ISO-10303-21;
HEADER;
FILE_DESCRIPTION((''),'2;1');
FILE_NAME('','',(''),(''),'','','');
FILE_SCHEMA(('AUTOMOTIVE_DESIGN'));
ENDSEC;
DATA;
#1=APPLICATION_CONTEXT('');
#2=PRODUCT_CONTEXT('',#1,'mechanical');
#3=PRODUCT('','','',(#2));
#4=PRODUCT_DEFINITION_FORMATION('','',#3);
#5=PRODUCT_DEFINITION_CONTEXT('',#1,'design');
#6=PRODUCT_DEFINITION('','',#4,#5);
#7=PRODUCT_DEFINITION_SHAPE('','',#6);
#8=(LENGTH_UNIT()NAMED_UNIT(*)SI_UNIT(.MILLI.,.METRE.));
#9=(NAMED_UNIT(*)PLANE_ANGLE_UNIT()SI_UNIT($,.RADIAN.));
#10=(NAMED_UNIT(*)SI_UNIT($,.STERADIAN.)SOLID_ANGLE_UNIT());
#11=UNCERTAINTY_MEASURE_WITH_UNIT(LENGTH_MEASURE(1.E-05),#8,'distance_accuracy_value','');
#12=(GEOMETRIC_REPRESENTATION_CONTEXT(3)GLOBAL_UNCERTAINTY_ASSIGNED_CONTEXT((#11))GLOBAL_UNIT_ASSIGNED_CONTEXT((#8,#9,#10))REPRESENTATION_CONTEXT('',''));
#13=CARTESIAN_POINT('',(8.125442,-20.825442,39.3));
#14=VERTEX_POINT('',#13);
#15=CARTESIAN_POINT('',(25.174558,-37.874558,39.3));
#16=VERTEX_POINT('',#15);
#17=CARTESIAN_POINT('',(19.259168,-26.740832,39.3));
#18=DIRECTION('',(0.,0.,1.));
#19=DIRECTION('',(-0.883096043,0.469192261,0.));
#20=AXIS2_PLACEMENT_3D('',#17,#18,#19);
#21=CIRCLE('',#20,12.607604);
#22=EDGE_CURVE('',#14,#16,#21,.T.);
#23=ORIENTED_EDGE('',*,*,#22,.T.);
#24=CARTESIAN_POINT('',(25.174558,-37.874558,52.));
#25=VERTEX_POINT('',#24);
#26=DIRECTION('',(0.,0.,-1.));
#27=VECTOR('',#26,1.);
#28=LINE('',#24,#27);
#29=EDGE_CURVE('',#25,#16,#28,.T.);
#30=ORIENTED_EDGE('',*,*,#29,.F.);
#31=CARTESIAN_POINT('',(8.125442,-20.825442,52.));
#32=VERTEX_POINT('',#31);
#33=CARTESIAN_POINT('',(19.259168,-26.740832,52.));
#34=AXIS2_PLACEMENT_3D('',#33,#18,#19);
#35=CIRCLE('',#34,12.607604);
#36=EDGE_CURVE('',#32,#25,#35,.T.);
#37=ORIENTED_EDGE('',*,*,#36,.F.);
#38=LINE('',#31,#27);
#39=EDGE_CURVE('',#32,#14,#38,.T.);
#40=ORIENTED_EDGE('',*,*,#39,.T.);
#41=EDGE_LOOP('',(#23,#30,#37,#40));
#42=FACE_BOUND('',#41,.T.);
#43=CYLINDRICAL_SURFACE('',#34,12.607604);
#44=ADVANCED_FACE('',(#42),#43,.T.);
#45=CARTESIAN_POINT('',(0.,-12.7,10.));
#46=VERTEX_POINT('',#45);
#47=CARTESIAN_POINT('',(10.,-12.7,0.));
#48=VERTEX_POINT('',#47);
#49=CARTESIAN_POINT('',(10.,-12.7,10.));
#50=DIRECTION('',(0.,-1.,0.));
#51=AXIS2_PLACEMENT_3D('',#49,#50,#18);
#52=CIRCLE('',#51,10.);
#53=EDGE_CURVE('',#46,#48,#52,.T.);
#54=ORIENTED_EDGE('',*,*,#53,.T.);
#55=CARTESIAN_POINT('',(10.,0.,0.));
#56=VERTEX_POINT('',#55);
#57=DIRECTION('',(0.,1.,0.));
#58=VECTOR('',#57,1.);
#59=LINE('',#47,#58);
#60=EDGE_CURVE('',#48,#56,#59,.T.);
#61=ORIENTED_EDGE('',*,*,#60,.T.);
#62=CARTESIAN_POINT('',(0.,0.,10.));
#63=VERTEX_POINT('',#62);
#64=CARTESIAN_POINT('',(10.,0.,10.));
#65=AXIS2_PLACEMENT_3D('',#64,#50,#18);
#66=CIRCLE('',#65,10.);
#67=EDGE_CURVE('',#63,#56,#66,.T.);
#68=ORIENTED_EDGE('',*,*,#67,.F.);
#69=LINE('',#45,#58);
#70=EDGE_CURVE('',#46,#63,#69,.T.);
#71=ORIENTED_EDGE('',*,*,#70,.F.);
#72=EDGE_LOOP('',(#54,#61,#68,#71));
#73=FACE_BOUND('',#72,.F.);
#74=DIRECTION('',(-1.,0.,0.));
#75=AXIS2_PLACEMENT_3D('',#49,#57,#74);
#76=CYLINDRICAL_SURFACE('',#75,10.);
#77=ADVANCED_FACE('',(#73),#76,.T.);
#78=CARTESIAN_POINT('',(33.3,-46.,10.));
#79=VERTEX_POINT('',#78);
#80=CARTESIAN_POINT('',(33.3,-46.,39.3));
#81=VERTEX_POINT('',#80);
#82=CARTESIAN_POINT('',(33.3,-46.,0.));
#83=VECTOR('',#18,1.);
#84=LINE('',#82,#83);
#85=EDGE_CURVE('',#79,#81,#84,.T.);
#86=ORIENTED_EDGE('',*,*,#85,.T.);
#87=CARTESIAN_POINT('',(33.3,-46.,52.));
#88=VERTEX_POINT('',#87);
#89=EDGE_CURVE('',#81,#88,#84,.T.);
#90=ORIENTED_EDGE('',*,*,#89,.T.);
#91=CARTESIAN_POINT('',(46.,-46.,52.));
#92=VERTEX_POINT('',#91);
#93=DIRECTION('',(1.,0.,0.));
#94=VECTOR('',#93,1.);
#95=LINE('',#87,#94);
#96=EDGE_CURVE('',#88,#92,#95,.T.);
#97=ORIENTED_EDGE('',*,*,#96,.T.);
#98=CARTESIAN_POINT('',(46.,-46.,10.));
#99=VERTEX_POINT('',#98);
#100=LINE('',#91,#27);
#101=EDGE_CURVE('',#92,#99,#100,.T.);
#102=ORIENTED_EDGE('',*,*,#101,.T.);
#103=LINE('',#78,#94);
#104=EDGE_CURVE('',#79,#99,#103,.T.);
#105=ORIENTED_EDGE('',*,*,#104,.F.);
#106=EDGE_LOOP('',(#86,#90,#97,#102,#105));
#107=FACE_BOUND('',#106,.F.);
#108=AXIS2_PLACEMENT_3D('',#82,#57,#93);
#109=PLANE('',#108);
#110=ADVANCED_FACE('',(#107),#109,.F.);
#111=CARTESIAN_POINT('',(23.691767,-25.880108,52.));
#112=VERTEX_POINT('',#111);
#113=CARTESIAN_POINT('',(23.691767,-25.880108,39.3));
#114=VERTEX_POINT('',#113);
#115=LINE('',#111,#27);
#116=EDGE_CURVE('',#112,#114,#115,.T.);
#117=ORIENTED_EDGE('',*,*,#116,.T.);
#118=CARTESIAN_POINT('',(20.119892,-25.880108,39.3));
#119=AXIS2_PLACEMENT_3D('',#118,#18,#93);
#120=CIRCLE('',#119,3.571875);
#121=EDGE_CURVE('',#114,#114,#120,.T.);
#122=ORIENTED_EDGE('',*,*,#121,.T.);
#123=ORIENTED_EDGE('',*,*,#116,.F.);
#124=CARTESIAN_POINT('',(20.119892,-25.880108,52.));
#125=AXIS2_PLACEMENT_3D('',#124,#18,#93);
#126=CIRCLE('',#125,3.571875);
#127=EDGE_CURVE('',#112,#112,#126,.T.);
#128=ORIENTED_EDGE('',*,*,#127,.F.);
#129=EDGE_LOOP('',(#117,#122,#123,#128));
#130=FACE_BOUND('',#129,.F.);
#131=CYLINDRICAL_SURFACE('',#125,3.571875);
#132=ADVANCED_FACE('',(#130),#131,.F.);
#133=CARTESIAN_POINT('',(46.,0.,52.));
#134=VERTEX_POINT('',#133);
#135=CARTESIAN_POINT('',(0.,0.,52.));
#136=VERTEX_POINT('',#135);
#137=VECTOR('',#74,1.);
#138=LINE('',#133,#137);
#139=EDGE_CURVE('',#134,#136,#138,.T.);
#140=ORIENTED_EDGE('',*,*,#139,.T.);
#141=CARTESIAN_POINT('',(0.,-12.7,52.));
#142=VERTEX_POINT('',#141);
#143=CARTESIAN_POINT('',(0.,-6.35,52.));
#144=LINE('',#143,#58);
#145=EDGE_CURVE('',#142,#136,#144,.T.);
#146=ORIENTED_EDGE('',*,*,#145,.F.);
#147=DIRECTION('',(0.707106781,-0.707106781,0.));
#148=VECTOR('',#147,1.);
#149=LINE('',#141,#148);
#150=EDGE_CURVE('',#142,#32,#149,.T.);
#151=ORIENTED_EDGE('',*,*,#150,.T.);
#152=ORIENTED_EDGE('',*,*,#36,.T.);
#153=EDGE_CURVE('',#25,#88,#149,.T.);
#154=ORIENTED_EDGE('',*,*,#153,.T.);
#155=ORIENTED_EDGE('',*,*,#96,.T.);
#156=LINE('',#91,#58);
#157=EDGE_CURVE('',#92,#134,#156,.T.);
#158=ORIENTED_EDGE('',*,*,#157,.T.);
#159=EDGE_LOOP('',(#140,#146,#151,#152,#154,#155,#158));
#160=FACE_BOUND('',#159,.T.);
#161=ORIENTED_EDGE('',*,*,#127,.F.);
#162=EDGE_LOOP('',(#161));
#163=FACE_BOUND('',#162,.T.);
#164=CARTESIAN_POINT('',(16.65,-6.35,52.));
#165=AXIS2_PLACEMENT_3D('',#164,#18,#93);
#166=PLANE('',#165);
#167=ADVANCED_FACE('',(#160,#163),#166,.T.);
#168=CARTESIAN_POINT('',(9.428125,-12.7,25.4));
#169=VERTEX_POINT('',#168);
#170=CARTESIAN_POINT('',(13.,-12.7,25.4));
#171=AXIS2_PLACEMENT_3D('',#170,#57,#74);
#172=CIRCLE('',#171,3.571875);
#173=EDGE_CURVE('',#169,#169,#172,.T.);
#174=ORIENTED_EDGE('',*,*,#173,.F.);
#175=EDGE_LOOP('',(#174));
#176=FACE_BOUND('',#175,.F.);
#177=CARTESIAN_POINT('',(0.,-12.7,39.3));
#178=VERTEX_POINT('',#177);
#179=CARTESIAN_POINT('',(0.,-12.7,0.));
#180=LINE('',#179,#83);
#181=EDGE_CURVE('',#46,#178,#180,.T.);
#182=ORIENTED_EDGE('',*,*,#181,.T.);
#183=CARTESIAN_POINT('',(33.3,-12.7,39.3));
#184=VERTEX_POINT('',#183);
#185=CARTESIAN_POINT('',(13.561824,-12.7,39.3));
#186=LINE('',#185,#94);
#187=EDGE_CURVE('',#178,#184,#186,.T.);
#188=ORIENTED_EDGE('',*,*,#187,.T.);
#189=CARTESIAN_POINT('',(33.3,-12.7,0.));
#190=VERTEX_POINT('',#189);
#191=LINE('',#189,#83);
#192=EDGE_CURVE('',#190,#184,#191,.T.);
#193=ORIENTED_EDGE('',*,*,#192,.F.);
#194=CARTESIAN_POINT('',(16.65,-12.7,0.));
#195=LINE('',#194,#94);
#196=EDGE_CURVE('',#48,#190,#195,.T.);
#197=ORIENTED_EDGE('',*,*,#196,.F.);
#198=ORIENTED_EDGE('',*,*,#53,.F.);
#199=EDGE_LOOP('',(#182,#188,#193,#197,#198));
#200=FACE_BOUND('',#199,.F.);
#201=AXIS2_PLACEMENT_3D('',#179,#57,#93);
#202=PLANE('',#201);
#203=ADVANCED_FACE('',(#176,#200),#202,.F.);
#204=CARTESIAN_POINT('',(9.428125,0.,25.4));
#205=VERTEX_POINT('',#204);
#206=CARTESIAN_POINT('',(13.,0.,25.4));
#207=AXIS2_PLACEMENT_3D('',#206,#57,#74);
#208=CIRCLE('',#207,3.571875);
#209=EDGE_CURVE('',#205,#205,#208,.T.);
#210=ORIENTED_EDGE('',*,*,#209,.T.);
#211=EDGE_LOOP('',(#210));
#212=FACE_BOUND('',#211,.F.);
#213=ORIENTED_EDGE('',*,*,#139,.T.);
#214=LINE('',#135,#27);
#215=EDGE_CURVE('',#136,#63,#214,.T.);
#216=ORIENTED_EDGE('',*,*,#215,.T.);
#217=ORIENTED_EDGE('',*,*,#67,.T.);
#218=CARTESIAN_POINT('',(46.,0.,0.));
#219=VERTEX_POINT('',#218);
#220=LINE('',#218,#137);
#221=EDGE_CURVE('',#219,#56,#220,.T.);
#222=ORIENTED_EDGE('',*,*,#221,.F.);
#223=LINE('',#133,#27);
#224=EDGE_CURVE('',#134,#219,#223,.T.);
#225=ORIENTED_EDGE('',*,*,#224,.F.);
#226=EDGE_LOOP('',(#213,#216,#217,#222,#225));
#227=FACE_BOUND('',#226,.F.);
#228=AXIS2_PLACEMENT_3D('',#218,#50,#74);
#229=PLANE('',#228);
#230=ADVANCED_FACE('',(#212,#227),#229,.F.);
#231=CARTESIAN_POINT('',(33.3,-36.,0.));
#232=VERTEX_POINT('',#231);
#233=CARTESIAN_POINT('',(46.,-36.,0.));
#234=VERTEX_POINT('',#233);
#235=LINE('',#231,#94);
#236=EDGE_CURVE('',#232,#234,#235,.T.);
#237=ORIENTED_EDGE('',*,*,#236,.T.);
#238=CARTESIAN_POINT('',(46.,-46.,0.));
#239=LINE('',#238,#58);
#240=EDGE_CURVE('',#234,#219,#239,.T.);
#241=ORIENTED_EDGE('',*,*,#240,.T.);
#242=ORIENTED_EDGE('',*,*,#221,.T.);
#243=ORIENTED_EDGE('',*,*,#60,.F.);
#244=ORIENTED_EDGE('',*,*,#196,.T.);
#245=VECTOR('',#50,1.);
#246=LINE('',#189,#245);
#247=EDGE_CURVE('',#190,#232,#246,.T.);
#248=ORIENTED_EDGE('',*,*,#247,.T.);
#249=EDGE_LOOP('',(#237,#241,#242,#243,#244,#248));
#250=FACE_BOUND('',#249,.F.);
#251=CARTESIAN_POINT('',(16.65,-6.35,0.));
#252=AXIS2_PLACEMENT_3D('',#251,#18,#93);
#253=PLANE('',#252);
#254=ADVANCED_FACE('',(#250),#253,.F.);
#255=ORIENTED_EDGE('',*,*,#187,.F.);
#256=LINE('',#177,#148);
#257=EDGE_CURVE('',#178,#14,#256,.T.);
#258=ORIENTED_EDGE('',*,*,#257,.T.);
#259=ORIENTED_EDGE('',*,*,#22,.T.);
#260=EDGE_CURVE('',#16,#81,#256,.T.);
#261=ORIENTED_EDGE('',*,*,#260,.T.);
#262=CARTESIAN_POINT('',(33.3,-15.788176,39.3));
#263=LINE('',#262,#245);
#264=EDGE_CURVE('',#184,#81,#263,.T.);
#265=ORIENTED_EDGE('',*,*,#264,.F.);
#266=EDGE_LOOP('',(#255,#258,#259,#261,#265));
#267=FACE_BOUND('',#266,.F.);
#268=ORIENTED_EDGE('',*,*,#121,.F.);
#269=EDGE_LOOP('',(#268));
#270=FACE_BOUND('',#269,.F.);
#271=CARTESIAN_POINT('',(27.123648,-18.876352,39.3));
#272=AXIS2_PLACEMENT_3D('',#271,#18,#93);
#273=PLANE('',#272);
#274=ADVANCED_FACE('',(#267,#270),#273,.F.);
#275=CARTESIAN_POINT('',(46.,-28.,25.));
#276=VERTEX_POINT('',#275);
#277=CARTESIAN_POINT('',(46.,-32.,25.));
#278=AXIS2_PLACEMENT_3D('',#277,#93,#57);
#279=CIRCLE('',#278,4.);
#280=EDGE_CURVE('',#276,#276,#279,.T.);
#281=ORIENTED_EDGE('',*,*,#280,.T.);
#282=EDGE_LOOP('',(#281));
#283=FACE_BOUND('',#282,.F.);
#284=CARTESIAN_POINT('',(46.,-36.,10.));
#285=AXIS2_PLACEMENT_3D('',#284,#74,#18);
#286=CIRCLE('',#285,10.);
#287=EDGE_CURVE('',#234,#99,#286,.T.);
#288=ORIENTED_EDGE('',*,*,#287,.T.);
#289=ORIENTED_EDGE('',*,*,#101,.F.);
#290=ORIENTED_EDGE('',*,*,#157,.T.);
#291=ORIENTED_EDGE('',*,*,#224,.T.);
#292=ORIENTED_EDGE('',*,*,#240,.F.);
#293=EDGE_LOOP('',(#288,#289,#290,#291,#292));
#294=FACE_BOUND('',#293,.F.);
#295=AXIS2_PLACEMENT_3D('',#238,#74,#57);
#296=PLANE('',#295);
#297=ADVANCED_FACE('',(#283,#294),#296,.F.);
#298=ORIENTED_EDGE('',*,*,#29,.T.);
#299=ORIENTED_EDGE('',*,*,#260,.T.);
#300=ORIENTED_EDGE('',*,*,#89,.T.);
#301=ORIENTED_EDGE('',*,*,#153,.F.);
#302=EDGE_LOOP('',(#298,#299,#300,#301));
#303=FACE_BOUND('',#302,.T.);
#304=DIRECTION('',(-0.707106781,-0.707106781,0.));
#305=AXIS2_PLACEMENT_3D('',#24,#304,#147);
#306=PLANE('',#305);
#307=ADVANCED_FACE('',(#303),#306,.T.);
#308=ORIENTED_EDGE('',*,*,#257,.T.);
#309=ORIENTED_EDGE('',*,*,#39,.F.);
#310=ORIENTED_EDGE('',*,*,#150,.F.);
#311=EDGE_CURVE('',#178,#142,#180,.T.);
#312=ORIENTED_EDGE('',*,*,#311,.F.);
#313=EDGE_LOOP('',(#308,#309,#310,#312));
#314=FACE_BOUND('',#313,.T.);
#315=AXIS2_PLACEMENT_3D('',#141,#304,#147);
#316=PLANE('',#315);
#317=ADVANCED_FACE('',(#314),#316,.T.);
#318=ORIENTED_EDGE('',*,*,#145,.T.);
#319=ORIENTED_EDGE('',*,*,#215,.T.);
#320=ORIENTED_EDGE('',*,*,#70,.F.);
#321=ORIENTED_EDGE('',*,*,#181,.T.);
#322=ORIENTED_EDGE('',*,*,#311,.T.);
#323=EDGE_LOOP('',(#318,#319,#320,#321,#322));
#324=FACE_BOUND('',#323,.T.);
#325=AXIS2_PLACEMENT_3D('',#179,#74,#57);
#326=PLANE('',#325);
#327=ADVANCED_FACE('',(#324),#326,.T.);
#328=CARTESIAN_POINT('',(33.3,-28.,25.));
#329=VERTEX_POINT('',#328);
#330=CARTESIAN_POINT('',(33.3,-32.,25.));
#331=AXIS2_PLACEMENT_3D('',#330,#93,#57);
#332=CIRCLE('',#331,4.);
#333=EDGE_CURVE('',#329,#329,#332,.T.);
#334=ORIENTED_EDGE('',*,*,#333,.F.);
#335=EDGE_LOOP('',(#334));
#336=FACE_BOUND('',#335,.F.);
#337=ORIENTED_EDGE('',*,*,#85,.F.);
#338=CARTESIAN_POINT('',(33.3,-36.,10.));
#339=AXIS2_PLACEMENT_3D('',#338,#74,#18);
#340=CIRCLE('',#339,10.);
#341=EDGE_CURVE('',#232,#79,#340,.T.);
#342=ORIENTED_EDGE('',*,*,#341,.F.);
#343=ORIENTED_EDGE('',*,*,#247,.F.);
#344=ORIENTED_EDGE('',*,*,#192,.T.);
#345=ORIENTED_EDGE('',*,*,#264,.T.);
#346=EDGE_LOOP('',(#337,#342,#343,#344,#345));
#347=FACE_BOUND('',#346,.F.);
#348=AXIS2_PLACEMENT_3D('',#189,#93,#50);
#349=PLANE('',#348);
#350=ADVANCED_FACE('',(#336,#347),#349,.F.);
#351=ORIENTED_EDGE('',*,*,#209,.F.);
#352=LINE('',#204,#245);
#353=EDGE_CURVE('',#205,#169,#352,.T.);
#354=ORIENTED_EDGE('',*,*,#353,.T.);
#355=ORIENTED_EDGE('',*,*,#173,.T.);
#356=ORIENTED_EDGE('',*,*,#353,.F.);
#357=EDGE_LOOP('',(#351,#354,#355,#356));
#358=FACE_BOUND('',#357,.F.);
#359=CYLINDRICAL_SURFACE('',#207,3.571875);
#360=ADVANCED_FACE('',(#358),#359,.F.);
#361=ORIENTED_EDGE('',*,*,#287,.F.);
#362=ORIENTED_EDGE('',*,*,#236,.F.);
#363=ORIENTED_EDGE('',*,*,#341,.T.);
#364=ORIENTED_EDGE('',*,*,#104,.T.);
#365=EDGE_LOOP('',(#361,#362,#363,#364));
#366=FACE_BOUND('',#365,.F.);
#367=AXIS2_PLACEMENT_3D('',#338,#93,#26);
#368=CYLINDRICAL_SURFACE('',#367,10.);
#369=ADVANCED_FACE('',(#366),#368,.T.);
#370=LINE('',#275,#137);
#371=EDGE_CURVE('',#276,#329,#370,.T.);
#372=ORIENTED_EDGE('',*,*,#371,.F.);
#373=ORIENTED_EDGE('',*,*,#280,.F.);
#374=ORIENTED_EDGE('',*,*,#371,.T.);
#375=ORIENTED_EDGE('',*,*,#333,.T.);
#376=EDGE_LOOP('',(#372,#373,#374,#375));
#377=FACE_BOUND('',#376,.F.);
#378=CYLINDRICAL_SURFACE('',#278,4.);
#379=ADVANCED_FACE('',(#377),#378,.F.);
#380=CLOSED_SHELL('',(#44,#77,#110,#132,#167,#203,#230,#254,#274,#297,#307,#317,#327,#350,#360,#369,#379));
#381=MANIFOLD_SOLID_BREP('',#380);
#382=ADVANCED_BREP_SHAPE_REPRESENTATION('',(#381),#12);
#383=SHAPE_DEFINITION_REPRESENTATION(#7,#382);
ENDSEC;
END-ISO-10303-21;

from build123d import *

# Parameters (mm, degrees)
F0_W     = 33.3
F0_H     = 12.7
F1_DEPTH = 52
F3_DEPTH = 12.7
F4_R     = 4
F5_DEPTH = 46.001
F6_R     = 3.571875
F7_DEPTH = 25
F8_R     = 3.571875
F9_DEPTH = 25
F10_R    = 10


with BuildPart() as f1:
    # F0 (on Top) → F1 (new body)
    with BuildSketch(Plane.XY):
        with Locations((16.65, -6.35)):
            Rectangle(F0_W, F0_H)
        Polygon((46, 0), (33.3, 0), (33.3, -12.7), (33.3, -46), (46, -46), align=None)
    extrude(amount=F1_DEPTH)

    # F2 (on face) → F3 (join)
    with BuildSketch(Plane.XY.offset(52)):
        Polygon((46, -46), (46, 0), (0, 0), (0, -12.7), (8.125442, -20.825442), (25.174558, -37.874558), (33.3, -46), align=None)
        with BuildLine():
            Line((25.174558, -37.874558), (8.125442, -20.825442))
            ThreePointArc((8.125442, -20.825442), (10.344245, -35.655755), (25.174558, -37.874558))
        make_face()
    extrude(amount=-F3_DEPTH)

    # F4 (on face) → F5 (cut, through all)
    with BuildSketch(Plane.YZ.offset(46)):
        with Locations((-32, 25)):
            Circle(F4_R)
    extrude(amount=-F5_DEPTH, mode=Mode.SUBTRACT)

    # F6 (on face) → F7 (cut)
    with BuildSketch(Plane(origin=(0, 0, 0), x_dir=(-1, 0, 0), z_dir=(0, 1, 0))):
        with Locations((-13, 25.4)):
            Circle(F6_R)
    extrude(amount=-F7_DEPTH, mode=Mode.SUBTRACT)

    # F8 (on face) → F9 (cut)
    with BuildSketch(Plane.XY.offset(52)):
        with Locations((20.119892, -25.880108)):
            Circle(F8_R)
    extrude(amount=-F9_DEPTH, mode=Mode.SUBTRACT)

    # F10
    f10_edges = [f1.edges().sort_by_distance(p)[0] for p in [
        (39.65, -46, 0),
        (0, -6.35, 0),
    ]]
    fillet(f10_edges, radius=F10_R)


solid = f1.part
